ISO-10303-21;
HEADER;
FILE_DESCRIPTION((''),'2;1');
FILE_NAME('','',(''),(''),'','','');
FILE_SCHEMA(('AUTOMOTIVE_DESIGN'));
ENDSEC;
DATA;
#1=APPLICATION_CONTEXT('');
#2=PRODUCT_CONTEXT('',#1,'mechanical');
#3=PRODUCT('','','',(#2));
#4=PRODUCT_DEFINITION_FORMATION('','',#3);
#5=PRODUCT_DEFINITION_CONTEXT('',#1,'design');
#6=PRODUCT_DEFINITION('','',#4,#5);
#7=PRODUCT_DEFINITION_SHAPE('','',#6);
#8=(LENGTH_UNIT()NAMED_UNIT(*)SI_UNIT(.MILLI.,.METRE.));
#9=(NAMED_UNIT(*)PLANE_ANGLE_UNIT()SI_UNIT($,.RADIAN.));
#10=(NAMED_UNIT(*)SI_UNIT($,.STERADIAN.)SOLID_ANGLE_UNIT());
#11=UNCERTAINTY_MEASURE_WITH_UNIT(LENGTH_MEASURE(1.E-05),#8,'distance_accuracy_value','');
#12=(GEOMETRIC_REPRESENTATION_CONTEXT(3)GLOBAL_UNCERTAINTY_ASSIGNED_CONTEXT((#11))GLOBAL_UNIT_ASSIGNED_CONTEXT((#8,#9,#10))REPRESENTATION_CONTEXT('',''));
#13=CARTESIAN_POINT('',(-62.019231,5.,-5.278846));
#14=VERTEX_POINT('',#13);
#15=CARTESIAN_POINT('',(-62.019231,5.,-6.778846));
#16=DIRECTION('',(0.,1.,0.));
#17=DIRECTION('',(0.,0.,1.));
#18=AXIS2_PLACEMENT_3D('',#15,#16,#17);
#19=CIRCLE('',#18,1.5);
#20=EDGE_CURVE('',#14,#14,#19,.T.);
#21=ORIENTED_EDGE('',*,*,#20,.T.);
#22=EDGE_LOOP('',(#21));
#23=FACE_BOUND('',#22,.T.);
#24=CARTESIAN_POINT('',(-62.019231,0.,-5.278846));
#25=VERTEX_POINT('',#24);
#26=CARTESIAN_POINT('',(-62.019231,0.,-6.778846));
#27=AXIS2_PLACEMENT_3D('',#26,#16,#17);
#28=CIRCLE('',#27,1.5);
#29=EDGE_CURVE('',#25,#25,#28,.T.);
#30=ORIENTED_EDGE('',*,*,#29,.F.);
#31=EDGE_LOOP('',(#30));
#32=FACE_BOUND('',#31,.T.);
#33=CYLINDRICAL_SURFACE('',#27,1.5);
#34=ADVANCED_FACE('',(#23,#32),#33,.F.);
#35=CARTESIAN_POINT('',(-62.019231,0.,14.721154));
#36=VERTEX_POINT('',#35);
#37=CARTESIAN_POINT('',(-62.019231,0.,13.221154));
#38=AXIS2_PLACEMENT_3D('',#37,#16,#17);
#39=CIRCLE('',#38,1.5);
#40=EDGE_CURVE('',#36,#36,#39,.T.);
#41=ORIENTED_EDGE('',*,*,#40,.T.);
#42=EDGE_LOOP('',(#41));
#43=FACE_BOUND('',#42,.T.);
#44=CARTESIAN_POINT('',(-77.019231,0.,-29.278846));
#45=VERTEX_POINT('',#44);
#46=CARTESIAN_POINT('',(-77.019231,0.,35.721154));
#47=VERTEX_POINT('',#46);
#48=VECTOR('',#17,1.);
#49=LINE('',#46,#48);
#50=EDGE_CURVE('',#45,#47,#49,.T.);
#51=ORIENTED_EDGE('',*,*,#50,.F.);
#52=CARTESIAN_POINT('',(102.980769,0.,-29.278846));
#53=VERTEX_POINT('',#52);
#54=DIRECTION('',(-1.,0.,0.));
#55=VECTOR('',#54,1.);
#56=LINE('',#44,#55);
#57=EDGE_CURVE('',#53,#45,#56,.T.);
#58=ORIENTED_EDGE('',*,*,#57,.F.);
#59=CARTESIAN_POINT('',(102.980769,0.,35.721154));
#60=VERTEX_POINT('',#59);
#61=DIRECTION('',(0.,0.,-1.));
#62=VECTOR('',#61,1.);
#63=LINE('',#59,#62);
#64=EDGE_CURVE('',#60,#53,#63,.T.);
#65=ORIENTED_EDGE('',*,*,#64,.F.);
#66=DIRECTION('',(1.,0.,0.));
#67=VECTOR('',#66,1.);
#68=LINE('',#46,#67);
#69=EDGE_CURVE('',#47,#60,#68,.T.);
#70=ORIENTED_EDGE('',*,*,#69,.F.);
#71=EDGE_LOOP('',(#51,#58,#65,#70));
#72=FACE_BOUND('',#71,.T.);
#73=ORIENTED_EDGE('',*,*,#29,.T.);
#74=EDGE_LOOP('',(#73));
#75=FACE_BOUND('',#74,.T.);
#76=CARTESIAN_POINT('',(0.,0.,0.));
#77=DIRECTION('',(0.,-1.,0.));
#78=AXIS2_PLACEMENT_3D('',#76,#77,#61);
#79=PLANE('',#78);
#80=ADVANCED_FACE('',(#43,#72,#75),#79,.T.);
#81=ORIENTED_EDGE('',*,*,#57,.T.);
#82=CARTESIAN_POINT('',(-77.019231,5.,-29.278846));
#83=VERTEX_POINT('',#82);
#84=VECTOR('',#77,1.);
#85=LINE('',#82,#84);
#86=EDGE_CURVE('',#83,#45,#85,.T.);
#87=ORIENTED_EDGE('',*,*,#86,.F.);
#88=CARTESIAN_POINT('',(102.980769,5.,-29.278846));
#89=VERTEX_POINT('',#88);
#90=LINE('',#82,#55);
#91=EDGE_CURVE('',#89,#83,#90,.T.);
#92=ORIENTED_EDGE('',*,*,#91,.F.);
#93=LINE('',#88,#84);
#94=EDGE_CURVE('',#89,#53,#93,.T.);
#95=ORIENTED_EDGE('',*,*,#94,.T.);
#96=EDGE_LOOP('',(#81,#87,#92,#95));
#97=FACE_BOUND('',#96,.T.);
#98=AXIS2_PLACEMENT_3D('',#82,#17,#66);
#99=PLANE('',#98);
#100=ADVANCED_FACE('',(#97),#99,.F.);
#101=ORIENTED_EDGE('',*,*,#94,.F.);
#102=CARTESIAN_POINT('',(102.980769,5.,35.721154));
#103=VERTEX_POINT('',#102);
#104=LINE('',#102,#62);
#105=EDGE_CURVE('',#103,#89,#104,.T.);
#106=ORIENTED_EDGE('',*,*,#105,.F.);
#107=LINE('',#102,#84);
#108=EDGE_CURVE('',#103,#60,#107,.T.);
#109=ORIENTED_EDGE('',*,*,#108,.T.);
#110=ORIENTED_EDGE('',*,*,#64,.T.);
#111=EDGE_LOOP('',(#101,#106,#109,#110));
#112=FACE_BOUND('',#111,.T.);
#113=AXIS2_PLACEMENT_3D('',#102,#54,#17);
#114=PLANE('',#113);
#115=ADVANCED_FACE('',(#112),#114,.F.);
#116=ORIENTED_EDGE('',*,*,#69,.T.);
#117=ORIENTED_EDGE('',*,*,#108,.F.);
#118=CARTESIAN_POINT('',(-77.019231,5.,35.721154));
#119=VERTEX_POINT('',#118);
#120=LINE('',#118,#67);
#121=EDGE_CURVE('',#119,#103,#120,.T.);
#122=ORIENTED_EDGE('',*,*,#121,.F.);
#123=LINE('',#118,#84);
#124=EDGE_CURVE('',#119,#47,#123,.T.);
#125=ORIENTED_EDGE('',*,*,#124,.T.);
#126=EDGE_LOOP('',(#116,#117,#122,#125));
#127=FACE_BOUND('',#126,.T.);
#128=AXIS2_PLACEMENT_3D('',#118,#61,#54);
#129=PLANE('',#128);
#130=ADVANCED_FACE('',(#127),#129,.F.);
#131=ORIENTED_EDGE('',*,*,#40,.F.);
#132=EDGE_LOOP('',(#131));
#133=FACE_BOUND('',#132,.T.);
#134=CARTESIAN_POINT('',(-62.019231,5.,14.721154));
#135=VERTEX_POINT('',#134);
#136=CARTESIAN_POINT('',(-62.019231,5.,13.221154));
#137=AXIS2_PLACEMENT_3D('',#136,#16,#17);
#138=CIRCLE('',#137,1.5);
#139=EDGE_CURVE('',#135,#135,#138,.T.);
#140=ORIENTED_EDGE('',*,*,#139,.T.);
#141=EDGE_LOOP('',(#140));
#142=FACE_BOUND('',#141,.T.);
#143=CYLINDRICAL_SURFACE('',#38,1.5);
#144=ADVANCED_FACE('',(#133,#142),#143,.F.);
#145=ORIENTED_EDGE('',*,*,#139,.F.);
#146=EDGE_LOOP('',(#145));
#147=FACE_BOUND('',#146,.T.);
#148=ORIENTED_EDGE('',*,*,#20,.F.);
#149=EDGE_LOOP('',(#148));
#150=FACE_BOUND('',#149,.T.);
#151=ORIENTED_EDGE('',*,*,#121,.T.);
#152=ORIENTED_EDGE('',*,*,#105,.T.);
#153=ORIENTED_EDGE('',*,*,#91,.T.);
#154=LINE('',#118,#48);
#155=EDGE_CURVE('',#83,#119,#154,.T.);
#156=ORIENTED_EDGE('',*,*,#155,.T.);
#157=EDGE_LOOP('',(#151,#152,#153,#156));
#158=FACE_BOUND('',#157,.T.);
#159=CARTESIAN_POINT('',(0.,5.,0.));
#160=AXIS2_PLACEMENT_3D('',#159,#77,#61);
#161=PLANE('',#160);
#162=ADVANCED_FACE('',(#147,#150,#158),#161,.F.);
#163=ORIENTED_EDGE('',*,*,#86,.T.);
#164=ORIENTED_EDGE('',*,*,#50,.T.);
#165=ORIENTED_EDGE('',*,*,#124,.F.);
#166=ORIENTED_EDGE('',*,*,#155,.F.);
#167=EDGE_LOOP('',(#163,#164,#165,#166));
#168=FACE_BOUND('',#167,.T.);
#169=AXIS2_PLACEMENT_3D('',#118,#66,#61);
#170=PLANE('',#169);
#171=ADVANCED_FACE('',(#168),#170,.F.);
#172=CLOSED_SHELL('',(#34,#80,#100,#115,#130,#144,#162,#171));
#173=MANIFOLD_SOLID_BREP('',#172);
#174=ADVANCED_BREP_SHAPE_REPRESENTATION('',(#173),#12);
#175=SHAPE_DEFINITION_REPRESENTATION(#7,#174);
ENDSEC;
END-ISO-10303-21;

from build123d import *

# Parameters (mm, degrees)
SKETCH1_W           = 180
SKETCH1_H           = 65
BOSS_EXTRUDE1_DEPTH = 5
SKETCH2_R           = 1.5
CUT_EXTRUDE1_DEPTH  = 110.114800387


with BuildPart() as part:
    # Sketch1 → Boss-Extrude1 (new body)
    with BuildSketch(Plane(origin=(0, 0, 0), x_dir=(1, 0, 0), z_dir=(0, 1, 0))):
        with Locations((12.980769231, -3.221153846)):
            Rectangle(SKETCH1_W, SKETCH1_H)
    extrude(amount=BOSS_EXTRUDE1_DEPTH)

    # Sketch2 → Cut-Extrude1 (cut, through all)
    with BuildSketch(Plane(origin=(0, 5, 0), x_dir=(1, 0, 0), z_dir=(0, 1, 0))):
        with Locations(Location((-62.019230769, 6.778846154, 0), (0, 0, 270))):
            Circle(SKETCH2_R)
        with Locations(Location((-62.019230769, -13.221153846, 0), (0, 0, 270))):
            Circle(SKETCH2_R)
    extrude(amount=-CUT_EXTRUDE1_DEPTH, mode=Mode.SUBTRACT)


solid = part.part
